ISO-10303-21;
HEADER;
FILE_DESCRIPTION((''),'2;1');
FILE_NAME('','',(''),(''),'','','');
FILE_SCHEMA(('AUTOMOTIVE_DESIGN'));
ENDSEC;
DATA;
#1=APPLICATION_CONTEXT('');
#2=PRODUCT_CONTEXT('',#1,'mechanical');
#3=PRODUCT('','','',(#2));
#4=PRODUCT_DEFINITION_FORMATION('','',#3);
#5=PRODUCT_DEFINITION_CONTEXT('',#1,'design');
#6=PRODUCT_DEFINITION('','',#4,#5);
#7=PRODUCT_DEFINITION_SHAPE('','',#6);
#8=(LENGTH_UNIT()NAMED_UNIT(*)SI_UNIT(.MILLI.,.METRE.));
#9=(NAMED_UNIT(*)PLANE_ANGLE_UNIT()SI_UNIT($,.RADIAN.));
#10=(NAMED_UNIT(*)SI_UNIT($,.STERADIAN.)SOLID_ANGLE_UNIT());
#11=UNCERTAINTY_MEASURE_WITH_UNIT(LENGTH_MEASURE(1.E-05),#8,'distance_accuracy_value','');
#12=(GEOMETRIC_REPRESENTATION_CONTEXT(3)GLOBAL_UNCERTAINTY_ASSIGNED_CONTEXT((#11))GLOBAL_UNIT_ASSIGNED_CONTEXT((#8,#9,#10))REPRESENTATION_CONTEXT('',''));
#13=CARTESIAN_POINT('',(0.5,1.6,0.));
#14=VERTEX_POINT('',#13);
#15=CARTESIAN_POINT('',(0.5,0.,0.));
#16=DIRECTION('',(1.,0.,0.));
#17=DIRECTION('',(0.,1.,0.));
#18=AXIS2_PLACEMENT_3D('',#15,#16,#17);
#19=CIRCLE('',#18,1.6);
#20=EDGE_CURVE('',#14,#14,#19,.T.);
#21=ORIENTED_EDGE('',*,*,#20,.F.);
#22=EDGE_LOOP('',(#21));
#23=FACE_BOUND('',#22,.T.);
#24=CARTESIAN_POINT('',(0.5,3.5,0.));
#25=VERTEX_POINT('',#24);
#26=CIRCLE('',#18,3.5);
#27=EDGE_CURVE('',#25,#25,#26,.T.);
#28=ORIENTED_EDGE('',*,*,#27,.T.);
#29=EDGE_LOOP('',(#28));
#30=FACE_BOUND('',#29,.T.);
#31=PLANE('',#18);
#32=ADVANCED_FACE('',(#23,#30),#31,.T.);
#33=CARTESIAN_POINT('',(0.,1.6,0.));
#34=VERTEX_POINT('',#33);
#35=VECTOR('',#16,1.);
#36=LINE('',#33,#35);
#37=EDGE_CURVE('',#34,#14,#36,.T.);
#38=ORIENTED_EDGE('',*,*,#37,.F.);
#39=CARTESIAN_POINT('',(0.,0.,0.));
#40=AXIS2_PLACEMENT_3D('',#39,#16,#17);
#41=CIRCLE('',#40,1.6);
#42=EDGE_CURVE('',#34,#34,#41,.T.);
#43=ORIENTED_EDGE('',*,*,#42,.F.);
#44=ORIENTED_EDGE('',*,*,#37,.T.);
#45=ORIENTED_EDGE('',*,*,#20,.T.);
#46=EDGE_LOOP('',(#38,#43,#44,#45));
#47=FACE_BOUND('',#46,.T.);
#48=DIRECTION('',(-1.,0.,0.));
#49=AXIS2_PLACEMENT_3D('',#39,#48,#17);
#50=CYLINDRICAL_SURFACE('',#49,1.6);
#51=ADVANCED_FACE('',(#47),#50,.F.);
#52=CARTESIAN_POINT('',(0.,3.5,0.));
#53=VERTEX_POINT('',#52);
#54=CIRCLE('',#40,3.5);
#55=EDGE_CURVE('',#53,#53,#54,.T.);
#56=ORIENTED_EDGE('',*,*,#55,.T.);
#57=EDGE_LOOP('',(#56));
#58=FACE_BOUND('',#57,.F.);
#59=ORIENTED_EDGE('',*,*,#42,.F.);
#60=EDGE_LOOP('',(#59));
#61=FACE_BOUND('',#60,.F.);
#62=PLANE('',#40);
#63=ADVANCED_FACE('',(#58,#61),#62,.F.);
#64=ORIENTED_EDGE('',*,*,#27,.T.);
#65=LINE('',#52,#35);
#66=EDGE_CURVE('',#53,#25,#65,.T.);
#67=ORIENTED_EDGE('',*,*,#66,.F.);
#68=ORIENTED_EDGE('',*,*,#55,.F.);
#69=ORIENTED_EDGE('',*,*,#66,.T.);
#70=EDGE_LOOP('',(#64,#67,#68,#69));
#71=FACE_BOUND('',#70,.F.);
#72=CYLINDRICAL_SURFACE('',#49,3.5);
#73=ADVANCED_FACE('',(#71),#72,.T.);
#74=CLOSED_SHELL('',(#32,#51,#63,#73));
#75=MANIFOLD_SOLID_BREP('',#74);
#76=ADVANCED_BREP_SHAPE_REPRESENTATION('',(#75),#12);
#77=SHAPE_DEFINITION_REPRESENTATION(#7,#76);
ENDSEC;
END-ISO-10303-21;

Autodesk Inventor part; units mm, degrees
ref_plane "YZ Plane" through (0, 0, 0) normal (1, 0, 0) x (0, 1, 0)
ref_plane "XZ Plane" through (0, 0, 0) normal (0, 1, 0) x (-1, 0, 0)
sketch "Sketch" plane through (0, 0, 0) normal (1, 0, 0) x (0, 1, 0)
  circle A0 centre (0, 0) radius 3.5
  circle A1 centre (0, 0) radius 1.6
  dimension "d0" = 3.2
  dimension "d1" = 7
extrude "Body" add sketch "Sketch" along normal blind 0.5
ref_plane "Work Plane1" through (0, 0, 0) normal (0, 0, 1) x (1, 0, 0)
equation "\"d0\" = SD1"
equation "\"d1\" = SD2"
equation "\"d2\" = SD"
equation "\"SD1\" = 3.2"
equation "\"SD2\" = 7"
equation "\"SD\" = 0.5"
equation "\"NND\" = 3"
properties part number "DIN 125 - A 3.2" material "Steel, Mild"
